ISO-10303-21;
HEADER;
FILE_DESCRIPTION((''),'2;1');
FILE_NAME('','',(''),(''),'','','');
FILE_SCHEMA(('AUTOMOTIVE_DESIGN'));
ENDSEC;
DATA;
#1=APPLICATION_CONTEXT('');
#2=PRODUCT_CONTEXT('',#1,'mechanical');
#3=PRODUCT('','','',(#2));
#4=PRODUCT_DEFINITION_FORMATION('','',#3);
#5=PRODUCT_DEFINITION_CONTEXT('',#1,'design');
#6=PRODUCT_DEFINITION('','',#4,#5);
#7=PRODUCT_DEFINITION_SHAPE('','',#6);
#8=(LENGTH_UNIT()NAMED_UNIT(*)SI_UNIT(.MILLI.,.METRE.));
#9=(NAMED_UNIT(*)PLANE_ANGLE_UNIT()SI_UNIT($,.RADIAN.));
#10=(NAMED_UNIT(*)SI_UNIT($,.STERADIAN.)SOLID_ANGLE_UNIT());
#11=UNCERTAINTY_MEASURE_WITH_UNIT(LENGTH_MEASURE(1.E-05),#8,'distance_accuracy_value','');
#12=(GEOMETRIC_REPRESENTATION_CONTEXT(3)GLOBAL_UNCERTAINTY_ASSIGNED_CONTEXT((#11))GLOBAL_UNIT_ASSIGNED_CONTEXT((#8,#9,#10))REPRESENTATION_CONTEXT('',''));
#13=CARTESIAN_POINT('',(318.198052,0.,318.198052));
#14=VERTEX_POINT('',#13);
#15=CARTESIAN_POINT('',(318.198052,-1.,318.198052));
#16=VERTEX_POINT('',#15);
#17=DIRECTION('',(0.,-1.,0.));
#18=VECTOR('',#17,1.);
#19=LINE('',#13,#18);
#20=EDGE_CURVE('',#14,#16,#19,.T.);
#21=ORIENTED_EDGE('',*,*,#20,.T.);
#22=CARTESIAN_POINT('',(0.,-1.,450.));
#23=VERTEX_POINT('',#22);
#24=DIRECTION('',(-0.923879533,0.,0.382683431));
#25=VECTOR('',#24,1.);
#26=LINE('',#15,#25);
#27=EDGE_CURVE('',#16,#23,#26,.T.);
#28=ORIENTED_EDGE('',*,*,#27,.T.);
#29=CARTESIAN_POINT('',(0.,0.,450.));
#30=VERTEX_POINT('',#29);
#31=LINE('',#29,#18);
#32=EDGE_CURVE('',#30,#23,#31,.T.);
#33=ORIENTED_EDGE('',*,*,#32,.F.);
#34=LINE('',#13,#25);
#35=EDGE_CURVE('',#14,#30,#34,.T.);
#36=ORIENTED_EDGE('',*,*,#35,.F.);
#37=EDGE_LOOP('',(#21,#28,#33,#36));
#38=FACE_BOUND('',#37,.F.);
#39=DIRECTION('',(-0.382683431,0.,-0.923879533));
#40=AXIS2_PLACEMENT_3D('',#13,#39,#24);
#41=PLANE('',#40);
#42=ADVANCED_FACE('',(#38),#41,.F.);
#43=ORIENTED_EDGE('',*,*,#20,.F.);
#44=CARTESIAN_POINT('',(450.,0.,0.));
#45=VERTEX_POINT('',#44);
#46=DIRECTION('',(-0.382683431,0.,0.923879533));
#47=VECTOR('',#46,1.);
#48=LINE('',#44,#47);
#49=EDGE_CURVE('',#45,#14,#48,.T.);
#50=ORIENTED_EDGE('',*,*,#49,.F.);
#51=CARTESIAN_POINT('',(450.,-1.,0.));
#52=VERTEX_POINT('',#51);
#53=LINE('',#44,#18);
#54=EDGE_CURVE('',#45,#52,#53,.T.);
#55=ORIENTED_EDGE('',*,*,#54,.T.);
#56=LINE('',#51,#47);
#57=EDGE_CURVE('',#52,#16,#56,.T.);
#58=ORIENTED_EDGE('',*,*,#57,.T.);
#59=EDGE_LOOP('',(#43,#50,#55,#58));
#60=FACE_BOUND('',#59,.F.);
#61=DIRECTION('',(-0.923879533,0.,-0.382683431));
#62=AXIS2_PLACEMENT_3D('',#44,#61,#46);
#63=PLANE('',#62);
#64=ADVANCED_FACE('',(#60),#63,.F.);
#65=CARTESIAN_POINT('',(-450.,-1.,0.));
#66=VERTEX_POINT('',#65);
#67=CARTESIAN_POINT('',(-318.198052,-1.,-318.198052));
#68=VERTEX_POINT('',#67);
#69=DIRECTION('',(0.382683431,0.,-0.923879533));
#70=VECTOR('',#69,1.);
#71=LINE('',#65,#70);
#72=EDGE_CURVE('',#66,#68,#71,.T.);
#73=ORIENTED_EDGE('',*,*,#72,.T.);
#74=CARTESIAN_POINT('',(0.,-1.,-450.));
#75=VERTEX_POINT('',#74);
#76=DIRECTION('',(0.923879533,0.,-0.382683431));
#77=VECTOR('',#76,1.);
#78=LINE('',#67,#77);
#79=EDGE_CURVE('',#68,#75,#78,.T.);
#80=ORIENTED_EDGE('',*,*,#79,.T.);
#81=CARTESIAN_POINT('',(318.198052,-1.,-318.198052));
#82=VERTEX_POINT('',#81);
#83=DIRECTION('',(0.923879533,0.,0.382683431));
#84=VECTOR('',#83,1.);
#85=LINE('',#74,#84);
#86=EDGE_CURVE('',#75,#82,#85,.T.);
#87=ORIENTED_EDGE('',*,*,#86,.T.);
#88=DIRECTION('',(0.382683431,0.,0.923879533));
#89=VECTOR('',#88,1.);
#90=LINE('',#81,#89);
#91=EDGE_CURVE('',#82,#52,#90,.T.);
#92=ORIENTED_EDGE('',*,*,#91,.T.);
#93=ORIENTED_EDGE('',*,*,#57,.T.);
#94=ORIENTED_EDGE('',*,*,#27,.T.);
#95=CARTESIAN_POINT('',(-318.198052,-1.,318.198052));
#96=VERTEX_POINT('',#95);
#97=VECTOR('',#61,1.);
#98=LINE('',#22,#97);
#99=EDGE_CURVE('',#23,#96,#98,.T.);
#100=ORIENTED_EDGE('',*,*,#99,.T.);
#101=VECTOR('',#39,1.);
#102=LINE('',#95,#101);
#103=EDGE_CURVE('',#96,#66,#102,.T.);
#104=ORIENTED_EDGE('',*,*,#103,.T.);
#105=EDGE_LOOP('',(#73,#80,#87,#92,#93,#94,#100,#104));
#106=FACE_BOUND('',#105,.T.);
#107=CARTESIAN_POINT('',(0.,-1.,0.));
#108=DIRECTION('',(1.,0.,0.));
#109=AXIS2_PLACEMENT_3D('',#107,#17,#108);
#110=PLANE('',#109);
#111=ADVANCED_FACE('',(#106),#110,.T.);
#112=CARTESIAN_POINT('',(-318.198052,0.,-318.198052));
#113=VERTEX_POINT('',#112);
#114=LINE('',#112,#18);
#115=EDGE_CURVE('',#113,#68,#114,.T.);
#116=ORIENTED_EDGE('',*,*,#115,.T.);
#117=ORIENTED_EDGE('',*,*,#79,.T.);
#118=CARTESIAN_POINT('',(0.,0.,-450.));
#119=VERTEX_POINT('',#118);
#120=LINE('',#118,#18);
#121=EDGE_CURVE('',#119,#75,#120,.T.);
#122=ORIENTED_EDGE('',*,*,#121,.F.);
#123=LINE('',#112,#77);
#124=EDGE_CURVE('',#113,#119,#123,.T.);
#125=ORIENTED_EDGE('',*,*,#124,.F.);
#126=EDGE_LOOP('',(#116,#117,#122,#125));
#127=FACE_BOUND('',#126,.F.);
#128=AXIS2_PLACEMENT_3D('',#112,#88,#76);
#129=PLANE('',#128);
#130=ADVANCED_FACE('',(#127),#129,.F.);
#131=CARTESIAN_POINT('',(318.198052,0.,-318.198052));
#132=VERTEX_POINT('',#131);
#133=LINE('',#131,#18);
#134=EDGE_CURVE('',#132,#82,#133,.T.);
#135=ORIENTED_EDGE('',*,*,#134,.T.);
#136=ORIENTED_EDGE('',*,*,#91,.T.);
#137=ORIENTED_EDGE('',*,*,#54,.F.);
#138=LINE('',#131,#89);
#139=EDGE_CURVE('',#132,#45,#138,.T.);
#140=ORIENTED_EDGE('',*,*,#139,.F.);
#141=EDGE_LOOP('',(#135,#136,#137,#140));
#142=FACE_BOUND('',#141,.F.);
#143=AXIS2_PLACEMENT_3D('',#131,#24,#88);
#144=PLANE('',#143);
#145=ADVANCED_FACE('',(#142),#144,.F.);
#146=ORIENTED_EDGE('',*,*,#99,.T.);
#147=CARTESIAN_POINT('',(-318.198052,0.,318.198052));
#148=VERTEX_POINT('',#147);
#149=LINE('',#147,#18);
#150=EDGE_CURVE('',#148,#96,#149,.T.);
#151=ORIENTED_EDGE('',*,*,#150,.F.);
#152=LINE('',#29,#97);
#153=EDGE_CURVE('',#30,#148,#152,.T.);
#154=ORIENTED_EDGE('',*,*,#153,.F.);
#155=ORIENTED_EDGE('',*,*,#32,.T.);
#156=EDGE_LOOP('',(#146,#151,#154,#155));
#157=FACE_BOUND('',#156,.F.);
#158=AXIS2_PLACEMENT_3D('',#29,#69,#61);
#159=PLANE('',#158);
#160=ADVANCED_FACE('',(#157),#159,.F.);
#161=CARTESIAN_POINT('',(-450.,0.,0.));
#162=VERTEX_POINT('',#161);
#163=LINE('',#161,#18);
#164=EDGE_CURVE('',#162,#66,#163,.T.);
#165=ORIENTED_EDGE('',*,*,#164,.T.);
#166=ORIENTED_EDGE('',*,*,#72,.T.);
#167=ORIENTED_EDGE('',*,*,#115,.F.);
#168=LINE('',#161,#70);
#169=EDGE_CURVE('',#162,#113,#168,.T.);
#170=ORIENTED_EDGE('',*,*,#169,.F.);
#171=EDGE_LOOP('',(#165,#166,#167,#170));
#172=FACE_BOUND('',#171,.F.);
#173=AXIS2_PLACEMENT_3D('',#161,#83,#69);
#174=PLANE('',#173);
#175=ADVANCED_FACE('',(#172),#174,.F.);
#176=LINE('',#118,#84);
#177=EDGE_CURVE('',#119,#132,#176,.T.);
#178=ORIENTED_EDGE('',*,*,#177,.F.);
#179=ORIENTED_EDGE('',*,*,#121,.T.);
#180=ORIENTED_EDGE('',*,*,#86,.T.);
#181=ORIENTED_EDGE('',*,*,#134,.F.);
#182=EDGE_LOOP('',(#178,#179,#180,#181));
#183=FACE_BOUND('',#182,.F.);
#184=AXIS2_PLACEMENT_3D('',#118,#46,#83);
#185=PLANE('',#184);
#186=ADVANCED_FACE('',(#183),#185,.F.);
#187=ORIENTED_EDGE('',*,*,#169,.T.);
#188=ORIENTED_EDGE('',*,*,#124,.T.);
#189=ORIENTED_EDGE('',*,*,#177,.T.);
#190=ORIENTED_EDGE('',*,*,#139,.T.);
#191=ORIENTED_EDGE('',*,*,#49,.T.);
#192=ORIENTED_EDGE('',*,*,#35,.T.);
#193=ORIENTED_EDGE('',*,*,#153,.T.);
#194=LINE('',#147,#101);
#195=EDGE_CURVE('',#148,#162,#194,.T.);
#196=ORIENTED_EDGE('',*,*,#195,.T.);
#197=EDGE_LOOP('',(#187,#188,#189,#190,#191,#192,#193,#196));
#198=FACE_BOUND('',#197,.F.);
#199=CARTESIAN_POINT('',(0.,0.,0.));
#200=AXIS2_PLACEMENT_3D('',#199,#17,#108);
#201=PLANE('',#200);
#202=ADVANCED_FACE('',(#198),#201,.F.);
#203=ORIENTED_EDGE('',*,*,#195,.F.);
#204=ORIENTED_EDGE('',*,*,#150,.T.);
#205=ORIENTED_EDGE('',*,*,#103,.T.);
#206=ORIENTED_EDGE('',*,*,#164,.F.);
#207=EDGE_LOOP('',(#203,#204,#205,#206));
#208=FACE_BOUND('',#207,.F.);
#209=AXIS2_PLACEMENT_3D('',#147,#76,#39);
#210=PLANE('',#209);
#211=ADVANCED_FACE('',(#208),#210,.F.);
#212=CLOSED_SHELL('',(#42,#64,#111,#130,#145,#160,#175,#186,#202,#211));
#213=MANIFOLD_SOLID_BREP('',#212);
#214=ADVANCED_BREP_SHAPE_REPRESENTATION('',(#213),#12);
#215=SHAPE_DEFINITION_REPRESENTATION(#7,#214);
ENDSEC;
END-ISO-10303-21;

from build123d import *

# Parameters (mm, degrees)
PAD_DEPTH = 1


with BuildPart() as part:
    # Sketch → Pad (new body)
    with BuildSketch(Plane.XZ):
        Polygon((450, 0), (318.198052, 318.198052), (0, 450), (-318.198052, 318.198052), (-450, 0), (-318.198052, -318.198052), (0, -450), (318.198052, -318.198052), align=None)
    extrude(amount=PAD_DEPTH)


solid = part.part
